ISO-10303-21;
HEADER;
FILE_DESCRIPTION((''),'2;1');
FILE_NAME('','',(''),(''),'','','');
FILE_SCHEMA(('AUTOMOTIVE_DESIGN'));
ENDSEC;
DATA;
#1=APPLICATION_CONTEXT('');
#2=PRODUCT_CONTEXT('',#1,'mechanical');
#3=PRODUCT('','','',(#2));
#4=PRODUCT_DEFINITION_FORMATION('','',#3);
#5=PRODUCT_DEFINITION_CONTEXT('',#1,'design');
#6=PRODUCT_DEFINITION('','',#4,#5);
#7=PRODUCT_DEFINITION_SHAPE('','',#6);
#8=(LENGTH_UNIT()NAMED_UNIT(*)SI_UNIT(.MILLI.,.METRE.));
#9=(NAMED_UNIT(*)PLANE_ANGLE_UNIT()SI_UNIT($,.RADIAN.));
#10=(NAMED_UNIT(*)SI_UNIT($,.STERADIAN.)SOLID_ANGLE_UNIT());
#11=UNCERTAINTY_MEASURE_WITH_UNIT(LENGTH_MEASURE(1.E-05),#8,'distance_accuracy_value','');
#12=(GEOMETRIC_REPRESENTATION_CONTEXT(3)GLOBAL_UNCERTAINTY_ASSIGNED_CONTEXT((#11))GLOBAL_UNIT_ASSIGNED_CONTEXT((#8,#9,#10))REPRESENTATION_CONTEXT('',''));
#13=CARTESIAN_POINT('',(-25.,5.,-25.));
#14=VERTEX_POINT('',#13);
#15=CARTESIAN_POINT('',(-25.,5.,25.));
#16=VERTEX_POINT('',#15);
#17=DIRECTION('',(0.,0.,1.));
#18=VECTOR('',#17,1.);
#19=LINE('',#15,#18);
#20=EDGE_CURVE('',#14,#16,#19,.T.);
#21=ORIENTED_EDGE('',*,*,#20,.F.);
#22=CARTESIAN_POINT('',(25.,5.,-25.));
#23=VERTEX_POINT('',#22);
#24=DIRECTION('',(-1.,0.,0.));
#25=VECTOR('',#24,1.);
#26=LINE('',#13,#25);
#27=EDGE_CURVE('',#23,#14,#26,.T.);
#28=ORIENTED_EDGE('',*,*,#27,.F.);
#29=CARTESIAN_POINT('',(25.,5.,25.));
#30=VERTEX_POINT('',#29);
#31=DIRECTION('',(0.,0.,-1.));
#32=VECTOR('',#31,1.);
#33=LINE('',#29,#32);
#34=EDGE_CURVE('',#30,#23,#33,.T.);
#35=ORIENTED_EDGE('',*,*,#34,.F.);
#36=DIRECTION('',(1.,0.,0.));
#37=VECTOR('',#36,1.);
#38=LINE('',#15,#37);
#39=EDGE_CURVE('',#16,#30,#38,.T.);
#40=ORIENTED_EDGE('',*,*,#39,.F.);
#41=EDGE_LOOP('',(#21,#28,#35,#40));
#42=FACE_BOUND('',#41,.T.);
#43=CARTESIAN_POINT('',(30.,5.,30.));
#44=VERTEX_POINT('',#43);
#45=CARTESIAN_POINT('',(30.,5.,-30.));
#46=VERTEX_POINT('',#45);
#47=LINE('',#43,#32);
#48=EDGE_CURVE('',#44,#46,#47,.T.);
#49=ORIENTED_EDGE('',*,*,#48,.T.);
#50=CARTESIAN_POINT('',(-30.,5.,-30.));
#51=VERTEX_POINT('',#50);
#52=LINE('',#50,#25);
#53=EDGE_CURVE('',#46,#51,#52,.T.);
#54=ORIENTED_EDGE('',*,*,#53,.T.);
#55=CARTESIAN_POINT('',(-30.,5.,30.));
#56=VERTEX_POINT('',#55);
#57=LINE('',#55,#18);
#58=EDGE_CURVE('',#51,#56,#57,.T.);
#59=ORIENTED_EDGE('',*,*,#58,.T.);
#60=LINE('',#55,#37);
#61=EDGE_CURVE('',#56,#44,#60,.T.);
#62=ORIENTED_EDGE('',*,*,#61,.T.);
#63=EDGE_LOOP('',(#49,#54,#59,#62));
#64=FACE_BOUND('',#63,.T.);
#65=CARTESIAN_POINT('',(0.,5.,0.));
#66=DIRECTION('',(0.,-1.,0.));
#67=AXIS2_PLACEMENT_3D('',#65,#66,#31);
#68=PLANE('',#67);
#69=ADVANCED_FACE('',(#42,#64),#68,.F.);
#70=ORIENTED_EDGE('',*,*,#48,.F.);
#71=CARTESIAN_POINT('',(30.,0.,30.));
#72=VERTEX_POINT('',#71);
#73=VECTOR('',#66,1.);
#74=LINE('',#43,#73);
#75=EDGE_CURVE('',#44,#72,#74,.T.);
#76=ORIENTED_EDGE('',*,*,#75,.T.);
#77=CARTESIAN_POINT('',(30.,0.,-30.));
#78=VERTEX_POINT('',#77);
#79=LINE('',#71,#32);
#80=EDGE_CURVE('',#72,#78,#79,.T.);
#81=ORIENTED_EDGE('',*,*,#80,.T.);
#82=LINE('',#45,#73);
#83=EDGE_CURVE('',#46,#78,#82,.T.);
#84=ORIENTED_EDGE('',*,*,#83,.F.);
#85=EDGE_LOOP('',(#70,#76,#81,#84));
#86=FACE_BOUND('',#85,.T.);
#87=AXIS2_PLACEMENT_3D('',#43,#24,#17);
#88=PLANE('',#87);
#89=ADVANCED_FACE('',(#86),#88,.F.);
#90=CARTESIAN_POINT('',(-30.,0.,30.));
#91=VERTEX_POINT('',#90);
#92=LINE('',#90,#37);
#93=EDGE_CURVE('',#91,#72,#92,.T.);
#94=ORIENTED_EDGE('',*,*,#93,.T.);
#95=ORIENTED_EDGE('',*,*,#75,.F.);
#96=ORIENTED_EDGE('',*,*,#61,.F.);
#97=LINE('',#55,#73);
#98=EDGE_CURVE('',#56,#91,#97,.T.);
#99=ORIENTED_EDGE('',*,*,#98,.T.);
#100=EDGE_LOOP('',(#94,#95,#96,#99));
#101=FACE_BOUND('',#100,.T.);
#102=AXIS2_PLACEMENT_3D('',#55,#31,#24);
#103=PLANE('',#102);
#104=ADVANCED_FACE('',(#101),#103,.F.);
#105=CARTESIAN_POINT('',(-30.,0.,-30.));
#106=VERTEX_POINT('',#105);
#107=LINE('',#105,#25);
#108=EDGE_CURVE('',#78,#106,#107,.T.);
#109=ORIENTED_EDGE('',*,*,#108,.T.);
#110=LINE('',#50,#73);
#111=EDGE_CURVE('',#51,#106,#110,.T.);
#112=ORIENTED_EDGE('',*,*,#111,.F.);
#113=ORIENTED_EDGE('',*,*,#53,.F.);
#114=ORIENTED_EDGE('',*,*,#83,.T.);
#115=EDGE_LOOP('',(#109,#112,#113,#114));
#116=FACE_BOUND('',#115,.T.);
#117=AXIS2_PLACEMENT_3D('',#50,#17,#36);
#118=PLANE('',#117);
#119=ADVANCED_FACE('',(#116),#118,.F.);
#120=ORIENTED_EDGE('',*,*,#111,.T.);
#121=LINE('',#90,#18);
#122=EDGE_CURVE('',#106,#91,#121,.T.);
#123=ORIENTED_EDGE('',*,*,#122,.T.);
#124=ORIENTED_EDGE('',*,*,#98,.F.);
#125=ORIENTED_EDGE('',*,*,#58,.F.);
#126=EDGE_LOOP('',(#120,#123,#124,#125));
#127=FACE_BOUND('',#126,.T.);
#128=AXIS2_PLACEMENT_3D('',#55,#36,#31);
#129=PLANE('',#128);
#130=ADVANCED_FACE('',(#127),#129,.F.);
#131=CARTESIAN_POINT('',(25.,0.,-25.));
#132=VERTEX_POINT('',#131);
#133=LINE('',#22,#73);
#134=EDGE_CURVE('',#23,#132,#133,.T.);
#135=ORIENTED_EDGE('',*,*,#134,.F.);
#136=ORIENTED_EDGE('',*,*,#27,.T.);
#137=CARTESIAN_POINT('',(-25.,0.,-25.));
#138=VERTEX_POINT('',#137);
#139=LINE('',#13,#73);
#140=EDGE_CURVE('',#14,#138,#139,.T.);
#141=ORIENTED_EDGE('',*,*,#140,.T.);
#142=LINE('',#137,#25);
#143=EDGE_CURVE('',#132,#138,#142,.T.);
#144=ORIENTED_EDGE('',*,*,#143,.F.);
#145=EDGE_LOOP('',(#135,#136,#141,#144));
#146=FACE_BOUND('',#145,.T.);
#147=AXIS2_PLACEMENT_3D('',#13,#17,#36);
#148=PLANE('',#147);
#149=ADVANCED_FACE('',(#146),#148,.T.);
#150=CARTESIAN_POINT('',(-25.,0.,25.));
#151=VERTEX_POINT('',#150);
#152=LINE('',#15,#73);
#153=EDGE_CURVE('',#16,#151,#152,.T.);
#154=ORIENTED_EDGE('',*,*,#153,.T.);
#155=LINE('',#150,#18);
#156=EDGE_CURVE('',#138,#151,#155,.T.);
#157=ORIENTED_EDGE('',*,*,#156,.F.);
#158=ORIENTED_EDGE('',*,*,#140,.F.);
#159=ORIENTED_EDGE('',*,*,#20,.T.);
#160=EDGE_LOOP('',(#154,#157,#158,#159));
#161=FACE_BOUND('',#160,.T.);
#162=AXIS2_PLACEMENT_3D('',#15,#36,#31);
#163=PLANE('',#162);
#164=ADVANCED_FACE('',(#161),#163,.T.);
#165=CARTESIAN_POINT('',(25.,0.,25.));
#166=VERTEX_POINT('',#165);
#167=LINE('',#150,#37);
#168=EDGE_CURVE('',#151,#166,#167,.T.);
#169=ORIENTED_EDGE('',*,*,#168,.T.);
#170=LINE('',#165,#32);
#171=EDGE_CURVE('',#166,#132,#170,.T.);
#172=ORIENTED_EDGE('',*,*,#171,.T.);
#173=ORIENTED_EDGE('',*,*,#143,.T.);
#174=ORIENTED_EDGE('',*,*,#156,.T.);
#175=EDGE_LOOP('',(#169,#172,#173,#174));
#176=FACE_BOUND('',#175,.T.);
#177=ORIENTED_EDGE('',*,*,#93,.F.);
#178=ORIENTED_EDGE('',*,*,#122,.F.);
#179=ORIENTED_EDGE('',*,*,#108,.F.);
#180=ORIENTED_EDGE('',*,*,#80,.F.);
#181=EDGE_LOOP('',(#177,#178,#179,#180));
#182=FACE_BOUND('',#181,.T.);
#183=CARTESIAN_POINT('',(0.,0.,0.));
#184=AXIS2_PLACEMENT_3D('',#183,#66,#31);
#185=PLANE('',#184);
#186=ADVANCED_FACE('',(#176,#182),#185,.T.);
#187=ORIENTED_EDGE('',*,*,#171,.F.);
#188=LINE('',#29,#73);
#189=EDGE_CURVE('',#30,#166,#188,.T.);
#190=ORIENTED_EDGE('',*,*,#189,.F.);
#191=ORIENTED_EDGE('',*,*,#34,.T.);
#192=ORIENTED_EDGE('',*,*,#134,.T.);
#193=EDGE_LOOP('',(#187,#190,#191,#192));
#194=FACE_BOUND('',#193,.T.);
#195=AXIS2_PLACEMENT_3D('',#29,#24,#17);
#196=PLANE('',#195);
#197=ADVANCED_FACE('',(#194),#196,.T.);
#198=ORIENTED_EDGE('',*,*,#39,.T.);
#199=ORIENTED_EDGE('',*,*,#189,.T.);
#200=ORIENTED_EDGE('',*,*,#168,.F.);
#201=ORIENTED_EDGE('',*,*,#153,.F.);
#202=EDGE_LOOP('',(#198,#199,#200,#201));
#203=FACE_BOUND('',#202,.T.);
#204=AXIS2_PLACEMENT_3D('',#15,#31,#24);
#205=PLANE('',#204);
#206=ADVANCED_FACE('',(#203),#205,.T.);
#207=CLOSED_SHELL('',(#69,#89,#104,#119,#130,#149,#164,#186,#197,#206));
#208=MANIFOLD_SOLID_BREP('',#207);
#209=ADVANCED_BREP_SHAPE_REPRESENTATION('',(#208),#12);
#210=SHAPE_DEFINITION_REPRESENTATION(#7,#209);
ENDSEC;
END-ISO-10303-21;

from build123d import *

# Parameters (mm, degrees)
SKETCH3_W           = 60
SKETCH3_H           = 60
SKETCH3_W_2         = 50
SKETCH3_H_2         = 50
BOSS_EXTRUDE1_DEPTH = 5


with BuildPart() as part:
    # Sketch3 → Boss-Extrude1 (new body)
    with BuildSketch(Plane(origin=(0, 0, 0), x_dir=(1, 0, 0), z_dir=(0, 1, 0))):
        Rectangle(SKETCH3_W, SKETCH3_H)
        Rectangle(SKETCH3_W_2, SKETCH3_H_2, mode=Mode.SUBTRACT)
    extrude(amount=BOSS_EXTRUDE1_DEPTH)


solid = part.part
